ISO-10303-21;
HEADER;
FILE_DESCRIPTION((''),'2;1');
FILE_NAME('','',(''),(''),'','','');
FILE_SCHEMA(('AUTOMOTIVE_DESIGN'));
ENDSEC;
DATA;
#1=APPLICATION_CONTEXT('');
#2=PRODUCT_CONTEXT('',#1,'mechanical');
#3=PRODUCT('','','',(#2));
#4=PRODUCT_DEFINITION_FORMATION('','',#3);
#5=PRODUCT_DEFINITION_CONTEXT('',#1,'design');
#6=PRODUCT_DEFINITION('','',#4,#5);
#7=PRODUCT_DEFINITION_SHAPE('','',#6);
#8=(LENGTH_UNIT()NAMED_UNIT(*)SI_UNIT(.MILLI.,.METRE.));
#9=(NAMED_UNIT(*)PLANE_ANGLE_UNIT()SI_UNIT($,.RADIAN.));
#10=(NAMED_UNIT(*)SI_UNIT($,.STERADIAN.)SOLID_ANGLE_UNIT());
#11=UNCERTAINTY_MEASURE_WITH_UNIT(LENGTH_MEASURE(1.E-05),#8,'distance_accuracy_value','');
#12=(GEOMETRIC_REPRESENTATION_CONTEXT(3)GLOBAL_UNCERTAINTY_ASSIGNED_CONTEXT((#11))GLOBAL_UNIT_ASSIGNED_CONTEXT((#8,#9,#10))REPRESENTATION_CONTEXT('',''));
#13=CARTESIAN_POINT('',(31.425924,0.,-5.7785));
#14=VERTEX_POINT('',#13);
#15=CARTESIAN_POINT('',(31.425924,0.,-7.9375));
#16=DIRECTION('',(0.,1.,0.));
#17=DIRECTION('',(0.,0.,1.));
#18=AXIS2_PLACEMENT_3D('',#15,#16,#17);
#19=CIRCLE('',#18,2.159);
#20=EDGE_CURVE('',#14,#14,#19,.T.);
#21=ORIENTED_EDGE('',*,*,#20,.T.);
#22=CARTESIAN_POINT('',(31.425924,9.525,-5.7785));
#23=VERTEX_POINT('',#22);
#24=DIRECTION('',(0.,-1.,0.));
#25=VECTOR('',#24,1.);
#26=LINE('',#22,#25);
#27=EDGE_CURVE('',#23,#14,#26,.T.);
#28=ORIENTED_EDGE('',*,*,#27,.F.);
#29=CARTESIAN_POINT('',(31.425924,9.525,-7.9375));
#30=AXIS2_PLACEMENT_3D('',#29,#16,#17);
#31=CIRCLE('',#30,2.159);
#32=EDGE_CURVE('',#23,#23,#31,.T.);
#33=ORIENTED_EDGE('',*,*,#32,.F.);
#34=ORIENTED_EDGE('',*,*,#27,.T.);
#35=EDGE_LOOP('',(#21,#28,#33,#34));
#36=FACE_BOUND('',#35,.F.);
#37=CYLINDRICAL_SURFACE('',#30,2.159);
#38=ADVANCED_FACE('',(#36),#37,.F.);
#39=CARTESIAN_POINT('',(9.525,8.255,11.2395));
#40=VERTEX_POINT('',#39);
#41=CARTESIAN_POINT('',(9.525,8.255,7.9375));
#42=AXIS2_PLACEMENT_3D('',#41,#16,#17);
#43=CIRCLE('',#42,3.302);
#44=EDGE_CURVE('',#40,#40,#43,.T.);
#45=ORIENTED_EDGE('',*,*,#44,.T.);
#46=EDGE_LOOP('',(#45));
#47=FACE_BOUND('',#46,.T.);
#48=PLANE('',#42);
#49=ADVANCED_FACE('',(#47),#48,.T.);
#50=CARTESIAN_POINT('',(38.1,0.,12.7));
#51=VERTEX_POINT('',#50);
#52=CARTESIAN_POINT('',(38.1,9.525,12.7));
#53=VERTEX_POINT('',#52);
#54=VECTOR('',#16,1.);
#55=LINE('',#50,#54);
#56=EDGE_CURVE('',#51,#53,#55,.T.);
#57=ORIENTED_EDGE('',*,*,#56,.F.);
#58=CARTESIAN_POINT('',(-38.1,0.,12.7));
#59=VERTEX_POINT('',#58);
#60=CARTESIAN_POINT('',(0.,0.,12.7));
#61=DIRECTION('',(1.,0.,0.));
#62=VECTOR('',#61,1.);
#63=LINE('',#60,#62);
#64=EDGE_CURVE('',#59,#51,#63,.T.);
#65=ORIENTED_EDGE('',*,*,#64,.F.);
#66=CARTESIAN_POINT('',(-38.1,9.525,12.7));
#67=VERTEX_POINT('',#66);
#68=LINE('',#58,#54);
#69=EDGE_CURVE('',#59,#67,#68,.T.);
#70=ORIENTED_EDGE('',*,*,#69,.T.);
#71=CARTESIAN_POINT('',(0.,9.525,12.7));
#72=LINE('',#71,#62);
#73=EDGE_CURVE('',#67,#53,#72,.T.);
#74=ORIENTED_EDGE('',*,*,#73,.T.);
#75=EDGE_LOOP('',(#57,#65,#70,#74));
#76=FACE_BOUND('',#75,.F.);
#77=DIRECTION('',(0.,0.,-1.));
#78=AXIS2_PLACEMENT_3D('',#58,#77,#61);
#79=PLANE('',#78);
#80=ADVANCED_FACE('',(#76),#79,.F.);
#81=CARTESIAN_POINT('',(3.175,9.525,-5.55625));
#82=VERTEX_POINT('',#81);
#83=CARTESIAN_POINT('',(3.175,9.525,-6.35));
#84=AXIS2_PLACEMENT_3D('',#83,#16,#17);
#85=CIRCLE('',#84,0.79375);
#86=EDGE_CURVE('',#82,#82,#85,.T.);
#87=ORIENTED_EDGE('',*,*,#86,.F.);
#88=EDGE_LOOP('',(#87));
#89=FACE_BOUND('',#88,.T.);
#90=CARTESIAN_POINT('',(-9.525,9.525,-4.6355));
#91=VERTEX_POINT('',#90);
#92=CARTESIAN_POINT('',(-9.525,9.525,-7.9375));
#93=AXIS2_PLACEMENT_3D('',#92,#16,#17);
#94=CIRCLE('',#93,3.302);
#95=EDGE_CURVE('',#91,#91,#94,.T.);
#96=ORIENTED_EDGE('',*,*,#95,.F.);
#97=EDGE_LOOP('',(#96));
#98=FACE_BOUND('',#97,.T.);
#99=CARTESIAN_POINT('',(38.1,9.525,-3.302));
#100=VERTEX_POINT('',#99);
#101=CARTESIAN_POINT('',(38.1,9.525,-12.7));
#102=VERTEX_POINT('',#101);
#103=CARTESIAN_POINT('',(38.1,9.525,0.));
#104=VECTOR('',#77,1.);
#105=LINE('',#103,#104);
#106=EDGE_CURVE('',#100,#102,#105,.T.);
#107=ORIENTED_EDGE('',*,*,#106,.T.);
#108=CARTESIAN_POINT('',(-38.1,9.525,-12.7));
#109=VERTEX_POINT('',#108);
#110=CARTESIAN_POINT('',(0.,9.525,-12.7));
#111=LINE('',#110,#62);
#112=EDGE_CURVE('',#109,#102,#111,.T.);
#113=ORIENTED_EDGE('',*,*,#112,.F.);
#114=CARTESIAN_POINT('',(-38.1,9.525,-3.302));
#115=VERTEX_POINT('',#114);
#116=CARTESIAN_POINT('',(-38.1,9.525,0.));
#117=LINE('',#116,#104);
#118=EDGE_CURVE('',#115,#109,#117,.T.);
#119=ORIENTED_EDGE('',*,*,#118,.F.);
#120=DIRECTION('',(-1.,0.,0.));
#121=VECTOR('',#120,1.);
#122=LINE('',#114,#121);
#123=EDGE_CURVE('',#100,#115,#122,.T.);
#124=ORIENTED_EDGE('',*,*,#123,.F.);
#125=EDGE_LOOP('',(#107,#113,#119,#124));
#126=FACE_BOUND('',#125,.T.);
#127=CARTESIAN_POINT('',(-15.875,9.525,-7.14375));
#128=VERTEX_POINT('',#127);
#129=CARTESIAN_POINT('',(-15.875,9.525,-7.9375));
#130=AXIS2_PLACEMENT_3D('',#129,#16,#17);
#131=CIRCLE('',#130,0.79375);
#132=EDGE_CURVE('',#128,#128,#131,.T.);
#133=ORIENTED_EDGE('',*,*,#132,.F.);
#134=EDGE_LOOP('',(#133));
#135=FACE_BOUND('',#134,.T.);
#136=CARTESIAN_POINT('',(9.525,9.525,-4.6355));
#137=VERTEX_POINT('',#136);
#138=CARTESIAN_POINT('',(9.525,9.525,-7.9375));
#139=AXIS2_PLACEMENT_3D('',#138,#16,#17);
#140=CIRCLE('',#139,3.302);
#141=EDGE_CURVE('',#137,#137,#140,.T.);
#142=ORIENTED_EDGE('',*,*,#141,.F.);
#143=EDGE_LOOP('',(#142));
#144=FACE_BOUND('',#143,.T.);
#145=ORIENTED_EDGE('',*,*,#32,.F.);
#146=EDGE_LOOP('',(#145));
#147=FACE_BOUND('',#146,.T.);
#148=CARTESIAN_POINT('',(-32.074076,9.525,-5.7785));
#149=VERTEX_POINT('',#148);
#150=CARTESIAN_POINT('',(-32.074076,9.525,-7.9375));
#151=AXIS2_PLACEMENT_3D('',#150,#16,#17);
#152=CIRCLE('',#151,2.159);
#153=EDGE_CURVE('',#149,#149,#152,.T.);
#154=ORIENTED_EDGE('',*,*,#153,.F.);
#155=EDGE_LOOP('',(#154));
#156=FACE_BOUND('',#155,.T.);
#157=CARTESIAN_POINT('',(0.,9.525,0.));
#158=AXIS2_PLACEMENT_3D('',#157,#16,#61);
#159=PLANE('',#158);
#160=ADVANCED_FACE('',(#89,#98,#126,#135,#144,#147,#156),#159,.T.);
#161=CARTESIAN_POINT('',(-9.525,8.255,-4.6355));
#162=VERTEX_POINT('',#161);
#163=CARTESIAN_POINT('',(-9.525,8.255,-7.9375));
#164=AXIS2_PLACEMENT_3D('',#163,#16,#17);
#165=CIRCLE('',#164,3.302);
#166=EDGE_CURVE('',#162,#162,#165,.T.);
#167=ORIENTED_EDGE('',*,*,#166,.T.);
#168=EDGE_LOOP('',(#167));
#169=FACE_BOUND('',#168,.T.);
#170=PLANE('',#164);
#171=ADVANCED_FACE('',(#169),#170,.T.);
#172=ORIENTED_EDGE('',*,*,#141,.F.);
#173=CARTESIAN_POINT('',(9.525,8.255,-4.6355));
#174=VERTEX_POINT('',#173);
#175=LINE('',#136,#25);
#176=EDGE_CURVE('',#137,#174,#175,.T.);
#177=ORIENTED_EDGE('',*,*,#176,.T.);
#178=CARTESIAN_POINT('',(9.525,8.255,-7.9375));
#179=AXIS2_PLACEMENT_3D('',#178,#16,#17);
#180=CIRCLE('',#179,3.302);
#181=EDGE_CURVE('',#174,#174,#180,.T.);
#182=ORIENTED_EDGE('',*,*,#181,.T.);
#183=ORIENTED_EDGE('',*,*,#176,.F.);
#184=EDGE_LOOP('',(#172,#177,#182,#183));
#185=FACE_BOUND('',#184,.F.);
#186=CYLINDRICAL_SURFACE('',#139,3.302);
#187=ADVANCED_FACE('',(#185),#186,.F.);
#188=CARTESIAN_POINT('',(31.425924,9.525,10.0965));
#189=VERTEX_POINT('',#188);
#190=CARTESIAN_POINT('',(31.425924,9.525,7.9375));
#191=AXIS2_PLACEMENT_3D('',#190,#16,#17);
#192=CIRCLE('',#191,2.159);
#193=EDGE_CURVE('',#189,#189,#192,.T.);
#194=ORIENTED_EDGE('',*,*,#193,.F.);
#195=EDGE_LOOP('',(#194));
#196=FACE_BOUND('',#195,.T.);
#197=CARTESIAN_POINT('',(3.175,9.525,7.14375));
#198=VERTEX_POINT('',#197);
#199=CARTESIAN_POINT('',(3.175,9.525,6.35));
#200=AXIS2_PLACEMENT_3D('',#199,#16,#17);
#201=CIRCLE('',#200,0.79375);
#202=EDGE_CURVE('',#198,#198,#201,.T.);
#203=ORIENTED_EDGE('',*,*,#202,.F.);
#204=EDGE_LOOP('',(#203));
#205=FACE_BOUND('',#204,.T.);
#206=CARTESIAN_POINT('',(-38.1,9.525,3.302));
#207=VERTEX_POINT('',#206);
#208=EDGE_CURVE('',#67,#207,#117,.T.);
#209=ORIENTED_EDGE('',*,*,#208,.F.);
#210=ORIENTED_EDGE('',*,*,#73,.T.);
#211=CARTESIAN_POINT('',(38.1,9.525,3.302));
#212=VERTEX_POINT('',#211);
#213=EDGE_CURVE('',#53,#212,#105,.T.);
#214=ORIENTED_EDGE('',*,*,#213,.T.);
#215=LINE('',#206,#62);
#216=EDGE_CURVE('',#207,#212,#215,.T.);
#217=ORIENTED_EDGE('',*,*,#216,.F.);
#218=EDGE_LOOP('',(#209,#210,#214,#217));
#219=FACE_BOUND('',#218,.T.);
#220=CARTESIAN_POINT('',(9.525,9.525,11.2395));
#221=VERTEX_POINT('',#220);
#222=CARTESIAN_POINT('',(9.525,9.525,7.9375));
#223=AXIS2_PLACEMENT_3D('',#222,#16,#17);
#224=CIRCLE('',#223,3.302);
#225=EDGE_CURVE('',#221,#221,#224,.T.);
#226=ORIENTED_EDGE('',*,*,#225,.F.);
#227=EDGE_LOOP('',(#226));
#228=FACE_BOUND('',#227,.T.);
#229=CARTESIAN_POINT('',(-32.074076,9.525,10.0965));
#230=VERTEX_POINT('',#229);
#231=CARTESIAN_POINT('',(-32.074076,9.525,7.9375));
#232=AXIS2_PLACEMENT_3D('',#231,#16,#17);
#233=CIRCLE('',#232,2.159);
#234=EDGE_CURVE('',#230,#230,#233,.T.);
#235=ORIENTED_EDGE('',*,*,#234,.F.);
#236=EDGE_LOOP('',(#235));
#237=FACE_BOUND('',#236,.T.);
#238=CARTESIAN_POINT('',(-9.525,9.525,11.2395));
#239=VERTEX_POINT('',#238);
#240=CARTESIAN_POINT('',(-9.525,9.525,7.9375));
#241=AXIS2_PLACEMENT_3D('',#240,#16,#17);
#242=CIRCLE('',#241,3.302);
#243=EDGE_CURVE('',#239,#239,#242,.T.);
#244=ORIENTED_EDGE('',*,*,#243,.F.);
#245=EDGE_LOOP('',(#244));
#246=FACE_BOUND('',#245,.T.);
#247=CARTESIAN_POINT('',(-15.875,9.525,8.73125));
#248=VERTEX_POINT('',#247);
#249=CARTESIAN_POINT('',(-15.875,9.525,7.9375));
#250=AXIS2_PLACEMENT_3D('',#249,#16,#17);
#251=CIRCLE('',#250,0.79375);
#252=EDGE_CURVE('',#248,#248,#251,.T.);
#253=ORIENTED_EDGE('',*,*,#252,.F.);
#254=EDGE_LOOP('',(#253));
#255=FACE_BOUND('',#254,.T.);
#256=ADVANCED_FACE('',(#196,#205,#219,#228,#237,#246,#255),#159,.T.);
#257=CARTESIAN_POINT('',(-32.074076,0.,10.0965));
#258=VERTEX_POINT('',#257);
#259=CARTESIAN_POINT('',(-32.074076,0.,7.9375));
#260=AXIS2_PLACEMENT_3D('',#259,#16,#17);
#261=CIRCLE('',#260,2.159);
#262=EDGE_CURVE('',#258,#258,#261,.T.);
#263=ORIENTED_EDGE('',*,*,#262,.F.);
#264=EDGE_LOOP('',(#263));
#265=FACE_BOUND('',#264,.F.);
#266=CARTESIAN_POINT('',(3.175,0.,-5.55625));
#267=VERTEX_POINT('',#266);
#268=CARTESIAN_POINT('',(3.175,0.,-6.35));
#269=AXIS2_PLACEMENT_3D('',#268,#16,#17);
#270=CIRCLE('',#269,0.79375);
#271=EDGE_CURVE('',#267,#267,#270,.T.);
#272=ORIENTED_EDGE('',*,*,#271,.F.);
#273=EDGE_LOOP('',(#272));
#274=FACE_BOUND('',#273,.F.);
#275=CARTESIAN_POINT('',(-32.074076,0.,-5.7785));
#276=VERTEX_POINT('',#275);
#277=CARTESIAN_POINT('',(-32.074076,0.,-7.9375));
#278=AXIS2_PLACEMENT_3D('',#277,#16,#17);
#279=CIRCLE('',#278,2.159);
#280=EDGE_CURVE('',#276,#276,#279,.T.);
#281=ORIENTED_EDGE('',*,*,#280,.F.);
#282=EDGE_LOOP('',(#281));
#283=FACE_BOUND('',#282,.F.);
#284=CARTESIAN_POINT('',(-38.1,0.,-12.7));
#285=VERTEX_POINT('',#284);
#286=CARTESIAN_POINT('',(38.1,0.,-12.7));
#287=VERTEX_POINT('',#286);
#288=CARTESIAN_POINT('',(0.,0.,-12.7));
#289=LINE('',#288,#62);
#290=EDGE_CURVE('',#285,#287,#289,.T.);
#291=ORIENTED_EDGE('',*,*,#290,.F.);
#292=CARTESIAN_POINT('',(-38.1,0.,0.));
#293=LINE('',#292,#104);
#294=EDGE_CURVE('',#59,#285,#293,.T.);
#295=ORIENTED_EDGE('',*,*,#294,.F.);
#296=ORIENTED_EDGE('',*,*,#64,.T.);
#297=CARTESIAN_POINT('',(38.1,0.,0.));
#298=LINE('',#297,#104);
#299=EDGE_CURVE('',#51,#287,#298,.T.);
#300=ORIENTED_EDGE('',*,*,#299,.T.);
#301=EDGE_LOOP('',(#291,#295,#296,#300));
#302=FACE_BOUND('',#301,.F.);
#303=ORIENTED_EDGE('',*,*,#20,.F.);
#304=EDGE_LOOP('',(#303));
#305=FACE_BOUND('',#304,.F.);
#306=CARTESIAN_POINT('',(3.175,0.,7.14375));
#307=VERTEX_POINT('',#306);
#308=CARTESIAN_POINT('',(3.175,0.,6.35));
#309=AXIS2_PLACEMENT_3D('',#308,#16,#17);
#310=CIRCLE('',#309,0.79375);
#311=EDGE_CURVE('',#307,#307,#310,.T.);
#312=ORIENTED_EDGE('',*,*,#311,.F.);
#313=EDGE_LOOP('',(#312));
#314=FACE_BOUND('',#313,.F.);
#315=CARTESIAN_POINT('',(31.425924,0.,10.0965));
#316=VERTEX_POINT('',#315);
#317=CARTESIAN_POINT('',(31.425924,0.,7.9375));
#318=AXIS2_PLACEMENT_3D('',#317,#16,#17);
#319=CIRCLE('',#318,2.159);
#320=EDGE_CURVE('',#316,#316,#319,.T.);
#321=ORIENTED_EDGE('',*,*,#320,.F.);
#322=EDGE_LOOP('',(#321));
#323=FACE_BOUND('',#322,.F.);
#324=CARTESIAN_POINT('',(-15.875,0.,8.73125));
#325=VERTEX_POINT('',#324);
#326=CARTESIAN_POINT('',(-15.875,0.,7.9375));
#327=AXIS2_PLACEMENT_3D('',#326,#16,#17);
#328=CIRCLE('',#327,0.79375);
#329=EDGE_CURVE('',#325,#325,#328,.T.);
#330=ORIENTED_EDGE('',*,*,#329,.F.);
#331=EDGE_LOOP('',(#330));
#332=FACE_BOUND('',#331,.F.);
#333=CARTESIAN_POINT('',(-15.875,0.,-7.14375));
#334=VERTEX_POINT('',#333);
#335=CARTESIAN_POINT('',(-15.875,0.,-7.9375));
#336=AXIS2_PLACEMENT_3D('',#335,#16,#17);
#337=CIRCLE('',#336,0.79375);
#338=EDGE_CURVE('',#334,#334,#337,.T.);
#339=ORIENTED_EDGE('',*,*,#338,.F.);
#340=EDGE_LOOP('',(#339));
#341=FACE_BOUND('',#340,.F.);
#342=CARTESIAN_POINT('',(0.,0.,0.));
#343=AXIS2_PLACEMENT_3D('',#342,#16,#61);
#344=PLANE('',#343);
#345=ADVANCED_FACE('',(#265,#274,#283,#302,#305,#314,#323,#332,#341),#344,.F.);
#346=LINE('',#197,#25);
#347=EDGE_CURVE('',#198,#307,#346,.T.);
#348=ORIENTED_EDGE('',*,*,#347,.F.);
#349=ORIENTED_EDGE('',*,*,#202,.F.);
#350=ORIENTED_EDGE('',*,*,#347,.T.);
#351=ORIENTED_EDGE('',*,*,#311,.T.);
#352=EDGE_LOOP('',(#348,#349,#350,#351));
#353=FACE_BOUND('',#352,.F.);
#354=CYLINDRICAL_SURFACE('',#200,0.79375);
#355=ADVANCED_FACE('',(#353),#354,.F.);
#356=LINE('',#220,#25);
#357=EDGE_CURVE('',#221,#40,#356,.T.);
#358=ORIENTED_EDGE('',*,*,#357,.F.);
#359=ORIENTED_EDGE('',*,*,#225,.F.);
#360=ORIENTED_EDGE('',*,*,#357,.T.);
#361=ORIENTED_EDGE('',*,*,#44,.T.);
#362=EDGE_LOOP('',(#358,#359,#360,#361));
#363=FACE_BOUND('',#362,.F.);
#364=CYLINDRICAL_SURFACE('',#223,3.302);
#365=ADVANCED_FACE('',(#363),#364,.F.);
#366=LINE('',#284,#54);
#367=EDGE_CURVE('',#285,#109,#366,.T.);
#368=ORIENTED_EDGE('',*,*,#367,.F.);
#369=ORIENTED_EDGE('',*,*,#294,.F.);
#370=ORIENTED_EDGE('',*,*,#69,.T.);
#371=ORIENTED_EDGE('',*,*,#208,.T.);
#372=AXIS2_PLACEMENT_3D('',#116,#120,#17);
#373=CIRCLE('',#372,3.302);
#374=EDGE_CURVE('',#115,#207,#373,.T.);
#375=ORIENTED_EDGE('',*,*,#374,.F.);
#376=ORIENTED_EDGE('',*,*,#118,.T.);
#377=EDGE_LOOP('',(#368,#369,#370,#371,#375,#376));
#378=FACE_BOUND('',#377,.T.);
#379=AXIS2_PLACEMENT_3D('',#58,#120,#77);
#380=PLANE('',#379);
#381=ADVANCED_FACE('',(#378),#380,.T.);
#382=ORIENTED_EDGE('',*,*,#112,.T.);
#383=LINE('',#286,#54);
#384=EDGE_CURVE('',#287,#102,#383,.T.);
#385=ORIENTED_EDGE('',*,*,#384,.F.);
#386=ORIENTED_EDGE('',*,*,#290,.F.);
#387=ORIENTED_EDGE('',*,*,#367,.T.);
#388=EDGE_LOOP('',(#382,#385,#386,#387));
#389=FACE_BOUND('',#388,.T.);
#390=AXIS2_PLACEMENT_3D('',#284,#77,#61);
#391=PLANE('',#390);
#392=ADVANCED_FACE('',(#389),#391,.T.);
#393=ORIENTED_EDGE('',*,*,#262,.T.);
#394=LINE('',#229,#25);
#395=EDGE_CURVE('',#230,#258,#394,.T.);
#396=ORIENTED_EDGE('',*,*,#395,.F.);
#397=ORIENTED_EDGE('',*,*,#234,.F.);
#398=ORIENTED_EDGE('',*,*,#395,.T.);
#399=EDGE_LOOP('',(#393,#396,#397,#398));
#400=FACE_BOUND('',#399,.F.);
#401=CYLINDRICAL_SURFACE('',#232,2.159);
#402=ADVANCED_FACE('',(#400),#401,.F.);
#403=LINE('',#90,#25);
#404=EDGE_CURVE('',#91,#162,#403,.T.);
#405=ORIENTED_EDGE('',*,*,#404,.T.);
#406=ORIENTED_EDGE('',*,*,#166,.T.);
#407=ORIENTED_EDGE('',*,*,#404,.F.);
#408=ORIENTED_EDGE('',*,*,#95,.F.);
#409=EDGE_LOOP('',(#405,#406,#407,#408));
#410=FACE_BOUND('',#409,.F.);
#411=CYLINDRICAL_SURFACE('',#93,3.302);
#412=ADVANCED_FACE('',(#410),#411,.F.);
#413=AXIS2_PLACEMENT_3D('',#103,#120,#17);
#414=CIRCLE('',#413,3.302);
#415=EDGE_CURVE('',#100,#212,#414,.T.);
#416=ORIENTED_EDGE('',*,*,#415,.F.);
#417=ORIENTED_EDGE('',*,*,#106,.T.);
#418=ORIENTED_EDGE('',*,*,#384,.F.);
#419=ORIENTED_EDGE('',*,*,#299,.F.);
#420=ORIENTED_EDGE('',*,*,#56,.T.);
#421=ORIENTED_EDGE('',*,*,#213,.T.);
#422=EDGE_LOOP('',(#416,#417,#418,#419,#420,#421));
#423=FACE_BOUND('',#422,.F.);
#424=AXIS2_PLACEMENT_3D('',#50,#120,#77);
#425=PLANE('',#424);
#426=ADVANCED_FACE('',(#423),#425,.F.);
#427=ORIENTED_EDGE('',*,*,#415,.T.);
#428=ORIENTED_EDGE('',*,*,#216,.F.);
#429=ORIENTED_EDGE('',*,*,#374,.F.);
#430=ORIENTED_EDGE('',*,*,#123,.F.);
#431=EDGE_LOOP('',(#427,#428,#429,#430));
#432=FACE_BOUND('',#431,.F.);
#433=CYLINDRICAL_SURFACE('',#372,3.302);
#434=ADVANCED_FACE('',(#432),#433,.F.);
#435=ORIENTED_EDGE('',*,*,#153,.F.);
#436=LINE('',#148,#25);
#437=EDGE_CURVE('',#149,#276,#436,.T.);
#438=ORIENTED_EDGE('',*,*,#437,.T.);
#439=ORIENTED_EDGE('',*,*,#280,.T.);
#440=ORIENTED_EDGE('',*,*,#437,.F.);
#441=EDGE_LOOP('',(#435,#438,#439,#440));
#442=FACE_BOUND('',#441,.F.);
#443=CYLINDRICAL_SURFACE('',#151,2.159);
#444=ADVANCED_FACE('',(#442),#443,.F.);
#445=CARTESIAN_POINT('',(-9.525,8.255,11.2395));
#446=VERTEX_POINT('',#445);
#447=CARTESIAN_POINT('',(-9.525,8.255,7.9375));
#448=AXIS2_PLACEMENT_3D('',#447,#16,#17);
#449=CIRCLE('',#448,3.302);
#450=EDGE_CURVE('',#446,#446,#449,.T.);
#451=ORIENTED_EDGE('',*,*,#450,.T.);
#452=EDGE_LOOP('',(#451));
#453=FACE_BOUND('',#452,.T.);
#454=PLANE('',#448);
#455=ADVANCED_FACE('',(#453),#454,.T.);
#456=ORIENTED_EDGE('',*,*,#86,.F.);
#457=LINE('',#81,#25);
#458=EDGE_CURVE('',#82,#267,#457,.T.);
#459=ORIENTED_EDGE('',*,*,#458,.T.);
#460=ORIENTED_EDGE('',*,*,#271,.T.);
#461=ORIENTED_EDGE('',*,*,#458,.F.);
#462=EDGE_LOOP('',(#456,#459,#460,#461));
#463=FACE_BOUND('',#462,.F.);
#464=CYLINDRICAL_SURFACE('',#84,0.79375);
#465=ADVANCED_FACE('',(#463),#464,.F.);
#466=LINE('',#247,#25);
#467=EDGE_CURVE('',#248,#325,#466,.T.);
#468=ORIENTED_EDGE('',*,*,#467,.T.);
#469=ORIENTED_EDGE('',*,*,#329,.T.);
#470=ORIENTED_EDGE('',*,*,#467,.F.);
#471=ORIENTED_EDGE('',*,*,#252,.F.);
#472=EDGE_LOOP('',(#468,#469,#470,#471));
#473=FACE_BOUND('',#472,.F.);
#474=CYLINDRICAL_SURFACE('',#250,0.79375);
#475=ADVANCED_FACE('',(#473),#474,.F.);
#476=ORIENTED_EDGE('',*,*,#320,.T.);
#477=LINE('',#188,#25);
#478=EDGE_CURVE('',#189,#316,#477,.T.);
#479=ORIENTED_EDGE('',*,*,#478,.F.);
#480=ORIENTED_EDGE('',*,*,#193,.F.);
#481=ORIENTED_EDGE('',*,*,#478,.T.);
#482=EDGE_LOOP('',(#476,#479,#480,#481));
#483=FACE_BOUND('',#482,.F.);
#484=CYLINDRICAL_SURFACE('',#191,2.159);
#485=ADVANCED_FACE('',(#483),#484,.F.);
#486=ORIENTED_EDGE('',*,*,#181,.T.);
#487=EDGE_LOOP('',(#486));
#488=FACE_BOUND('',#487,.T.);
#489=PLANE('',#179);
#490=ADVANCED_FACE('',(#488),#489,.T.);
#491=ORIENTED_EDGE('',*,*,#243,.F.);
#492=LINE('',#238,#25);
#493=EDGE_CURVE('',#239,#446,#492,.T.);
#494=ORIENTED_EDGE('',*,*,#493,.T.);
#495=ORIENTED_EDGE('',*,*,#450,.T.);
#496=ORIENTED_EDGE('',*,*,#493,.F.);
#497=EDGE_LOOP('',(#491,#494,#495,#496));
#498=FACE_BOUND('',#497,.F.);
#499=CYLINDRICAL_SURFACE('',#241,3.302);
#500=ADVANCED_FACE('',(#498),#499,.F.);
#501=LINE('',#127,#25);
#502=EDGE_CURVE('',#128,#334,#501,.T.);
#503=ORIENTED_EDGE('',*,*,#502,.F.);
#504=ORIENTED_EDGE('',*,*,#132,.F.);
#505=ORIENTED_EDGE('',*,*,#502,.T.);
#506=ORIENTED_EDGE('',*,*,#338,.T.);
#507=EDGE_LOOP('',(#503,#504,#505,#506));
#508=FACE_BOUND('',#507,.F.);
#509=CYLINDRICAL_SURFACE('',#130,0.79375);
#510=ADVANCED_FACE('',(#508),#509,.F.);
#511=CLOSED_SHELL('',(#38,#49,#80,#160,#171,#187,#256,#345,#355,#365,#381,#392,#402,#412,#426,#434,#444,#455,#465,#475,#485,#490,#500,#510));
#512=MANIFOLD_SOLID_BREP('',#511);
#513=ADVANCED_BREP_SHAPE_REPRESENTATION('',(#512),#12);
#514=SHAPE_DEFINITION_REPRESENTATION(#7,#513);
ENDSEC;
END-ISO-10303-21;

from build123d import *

# Parameters (mm, degrees)
SKETCH1_W           = 76.2
SKETCH1_H           = 25.4
BOSS_EXTRUDE1_DEPTH = 9.525
SKETCH2_R           = 2.159
CUT_EXTRUDE1_DEPTH  = 42.275
SKETCH3_R           = 3.302
CUT_EXTRUDE2_DEPTH  = 1.27
SKETCH4_R           = 0.79375
CUT_EXTRUDE3_DEPTH  = 42.275
SKETCH5_R           = 3.302
CUT_EXTRUDE4_DEPTH  = 78.836081768


with BuildPart() as part:
    # Sketch1 → Boss-Extrude1 (new body)
    with BuildSketch(Plane(origin=(0, 0, 0), x_dir=(1, 0, 0), z_dir=(0, 1, 0))):
        Rectangle(SKETCH1_W, SKETCH1_H)
    extrude(amount=BOSS_EXTRUDE1_DEPTH)

    # Sketch2 → Cut-Extrude1 (cut, through all)
    with BuildSketch(Plane(origin=(0, 9.525, 0), x_dir=(1, 0, 0), z_dir=(0, 1, 0))):
        with Locations(Location((-32.074075882, 7.9375, 0), (0, 0, 270))):
            Circle(SKETCH2_R)
        with Locations(Location((-32.074075882, -7.9375, 0), (0, 0, 270))):
            Circle(SKETCH2_R)
        with Locations(Location((31.425924118, 7.9375, 0), (0, 0, 270))):
            Circle(SKETCH2_R)
        with Locations(Location((31.425924118, -7.9375, 0), (0, 0, 270))):
            Circle(SKETCH2_R)
    extrude(amount=-CUT_EXTRUDE1_DEPTH, mode=Mode.SUBTRACT)

    # Sketch3 → Cut-Extrude2 (cut)
    with BuildSketch(Plane(origin=(0, 9.525, 0), x_dir=(1, 0, 0), z_dir=(0, 1, 0))):
        with Locations(Location((-9.525, 7.9375, 0), (0, 0, 270))):
            Circle(SKETCH3_R)
        with Locations(Location((-9.525, -7.9375, 0), (0, 0, 270))):
            Circle(SKETCH3_R)
        with Locations(Location((9.525, -7.9375, 0), (0, 0, 270))):
            Circle(SKETCH3_R)
        with Locations(Location((9.525, 7.9375, 0), (0, 0, 270))):
            Circle(SKETCH3_R)
    extrude(amount=-CUT_EXTRUDE2_DEPTH, mode=Mode.SUBTRACT)

    # Sketch4 → Cut-Extrude3 (cut, through all)
    with BuildSketch(Plane(origin=(0, 9.525, 0), x_dir=(1, 0, 0), z_dir=(0, 1, 0))):
        with Locations(Location((-15.875, 7.9375, 0), (0, 0, 270))):
            Circle(SKETCH4_R)
        with Locations(Location((-15.875, -7.9375, 0), (0, 0, 270))):
            Circle(SKETCH4_R)
        with Locations(Location((3.175, 6.35, 0), (0, 0, 270))):
            Circle(SKETCH4_R)
        with Locations(Location((3.175, -6.35, 0), (0, 0, 270))):
            Circle(SKETCH4_R)
    extrude(amount=-CUT_EXTRUDE3_DEPTH, mode=Mode.SUBTRACT)

    # Sketch5 → Cut-Extrude4 (cut, through all)
    with BuildSketch(Plane.ZY.offset(38.1)):
        with Locations((0, 9.525)):
            Circle(SKETCH5_R)
    extrude(amount=-CUT_EXTRUDE4_DEPTH, mode=Mode.SUBTRACT)


solid = part.part
